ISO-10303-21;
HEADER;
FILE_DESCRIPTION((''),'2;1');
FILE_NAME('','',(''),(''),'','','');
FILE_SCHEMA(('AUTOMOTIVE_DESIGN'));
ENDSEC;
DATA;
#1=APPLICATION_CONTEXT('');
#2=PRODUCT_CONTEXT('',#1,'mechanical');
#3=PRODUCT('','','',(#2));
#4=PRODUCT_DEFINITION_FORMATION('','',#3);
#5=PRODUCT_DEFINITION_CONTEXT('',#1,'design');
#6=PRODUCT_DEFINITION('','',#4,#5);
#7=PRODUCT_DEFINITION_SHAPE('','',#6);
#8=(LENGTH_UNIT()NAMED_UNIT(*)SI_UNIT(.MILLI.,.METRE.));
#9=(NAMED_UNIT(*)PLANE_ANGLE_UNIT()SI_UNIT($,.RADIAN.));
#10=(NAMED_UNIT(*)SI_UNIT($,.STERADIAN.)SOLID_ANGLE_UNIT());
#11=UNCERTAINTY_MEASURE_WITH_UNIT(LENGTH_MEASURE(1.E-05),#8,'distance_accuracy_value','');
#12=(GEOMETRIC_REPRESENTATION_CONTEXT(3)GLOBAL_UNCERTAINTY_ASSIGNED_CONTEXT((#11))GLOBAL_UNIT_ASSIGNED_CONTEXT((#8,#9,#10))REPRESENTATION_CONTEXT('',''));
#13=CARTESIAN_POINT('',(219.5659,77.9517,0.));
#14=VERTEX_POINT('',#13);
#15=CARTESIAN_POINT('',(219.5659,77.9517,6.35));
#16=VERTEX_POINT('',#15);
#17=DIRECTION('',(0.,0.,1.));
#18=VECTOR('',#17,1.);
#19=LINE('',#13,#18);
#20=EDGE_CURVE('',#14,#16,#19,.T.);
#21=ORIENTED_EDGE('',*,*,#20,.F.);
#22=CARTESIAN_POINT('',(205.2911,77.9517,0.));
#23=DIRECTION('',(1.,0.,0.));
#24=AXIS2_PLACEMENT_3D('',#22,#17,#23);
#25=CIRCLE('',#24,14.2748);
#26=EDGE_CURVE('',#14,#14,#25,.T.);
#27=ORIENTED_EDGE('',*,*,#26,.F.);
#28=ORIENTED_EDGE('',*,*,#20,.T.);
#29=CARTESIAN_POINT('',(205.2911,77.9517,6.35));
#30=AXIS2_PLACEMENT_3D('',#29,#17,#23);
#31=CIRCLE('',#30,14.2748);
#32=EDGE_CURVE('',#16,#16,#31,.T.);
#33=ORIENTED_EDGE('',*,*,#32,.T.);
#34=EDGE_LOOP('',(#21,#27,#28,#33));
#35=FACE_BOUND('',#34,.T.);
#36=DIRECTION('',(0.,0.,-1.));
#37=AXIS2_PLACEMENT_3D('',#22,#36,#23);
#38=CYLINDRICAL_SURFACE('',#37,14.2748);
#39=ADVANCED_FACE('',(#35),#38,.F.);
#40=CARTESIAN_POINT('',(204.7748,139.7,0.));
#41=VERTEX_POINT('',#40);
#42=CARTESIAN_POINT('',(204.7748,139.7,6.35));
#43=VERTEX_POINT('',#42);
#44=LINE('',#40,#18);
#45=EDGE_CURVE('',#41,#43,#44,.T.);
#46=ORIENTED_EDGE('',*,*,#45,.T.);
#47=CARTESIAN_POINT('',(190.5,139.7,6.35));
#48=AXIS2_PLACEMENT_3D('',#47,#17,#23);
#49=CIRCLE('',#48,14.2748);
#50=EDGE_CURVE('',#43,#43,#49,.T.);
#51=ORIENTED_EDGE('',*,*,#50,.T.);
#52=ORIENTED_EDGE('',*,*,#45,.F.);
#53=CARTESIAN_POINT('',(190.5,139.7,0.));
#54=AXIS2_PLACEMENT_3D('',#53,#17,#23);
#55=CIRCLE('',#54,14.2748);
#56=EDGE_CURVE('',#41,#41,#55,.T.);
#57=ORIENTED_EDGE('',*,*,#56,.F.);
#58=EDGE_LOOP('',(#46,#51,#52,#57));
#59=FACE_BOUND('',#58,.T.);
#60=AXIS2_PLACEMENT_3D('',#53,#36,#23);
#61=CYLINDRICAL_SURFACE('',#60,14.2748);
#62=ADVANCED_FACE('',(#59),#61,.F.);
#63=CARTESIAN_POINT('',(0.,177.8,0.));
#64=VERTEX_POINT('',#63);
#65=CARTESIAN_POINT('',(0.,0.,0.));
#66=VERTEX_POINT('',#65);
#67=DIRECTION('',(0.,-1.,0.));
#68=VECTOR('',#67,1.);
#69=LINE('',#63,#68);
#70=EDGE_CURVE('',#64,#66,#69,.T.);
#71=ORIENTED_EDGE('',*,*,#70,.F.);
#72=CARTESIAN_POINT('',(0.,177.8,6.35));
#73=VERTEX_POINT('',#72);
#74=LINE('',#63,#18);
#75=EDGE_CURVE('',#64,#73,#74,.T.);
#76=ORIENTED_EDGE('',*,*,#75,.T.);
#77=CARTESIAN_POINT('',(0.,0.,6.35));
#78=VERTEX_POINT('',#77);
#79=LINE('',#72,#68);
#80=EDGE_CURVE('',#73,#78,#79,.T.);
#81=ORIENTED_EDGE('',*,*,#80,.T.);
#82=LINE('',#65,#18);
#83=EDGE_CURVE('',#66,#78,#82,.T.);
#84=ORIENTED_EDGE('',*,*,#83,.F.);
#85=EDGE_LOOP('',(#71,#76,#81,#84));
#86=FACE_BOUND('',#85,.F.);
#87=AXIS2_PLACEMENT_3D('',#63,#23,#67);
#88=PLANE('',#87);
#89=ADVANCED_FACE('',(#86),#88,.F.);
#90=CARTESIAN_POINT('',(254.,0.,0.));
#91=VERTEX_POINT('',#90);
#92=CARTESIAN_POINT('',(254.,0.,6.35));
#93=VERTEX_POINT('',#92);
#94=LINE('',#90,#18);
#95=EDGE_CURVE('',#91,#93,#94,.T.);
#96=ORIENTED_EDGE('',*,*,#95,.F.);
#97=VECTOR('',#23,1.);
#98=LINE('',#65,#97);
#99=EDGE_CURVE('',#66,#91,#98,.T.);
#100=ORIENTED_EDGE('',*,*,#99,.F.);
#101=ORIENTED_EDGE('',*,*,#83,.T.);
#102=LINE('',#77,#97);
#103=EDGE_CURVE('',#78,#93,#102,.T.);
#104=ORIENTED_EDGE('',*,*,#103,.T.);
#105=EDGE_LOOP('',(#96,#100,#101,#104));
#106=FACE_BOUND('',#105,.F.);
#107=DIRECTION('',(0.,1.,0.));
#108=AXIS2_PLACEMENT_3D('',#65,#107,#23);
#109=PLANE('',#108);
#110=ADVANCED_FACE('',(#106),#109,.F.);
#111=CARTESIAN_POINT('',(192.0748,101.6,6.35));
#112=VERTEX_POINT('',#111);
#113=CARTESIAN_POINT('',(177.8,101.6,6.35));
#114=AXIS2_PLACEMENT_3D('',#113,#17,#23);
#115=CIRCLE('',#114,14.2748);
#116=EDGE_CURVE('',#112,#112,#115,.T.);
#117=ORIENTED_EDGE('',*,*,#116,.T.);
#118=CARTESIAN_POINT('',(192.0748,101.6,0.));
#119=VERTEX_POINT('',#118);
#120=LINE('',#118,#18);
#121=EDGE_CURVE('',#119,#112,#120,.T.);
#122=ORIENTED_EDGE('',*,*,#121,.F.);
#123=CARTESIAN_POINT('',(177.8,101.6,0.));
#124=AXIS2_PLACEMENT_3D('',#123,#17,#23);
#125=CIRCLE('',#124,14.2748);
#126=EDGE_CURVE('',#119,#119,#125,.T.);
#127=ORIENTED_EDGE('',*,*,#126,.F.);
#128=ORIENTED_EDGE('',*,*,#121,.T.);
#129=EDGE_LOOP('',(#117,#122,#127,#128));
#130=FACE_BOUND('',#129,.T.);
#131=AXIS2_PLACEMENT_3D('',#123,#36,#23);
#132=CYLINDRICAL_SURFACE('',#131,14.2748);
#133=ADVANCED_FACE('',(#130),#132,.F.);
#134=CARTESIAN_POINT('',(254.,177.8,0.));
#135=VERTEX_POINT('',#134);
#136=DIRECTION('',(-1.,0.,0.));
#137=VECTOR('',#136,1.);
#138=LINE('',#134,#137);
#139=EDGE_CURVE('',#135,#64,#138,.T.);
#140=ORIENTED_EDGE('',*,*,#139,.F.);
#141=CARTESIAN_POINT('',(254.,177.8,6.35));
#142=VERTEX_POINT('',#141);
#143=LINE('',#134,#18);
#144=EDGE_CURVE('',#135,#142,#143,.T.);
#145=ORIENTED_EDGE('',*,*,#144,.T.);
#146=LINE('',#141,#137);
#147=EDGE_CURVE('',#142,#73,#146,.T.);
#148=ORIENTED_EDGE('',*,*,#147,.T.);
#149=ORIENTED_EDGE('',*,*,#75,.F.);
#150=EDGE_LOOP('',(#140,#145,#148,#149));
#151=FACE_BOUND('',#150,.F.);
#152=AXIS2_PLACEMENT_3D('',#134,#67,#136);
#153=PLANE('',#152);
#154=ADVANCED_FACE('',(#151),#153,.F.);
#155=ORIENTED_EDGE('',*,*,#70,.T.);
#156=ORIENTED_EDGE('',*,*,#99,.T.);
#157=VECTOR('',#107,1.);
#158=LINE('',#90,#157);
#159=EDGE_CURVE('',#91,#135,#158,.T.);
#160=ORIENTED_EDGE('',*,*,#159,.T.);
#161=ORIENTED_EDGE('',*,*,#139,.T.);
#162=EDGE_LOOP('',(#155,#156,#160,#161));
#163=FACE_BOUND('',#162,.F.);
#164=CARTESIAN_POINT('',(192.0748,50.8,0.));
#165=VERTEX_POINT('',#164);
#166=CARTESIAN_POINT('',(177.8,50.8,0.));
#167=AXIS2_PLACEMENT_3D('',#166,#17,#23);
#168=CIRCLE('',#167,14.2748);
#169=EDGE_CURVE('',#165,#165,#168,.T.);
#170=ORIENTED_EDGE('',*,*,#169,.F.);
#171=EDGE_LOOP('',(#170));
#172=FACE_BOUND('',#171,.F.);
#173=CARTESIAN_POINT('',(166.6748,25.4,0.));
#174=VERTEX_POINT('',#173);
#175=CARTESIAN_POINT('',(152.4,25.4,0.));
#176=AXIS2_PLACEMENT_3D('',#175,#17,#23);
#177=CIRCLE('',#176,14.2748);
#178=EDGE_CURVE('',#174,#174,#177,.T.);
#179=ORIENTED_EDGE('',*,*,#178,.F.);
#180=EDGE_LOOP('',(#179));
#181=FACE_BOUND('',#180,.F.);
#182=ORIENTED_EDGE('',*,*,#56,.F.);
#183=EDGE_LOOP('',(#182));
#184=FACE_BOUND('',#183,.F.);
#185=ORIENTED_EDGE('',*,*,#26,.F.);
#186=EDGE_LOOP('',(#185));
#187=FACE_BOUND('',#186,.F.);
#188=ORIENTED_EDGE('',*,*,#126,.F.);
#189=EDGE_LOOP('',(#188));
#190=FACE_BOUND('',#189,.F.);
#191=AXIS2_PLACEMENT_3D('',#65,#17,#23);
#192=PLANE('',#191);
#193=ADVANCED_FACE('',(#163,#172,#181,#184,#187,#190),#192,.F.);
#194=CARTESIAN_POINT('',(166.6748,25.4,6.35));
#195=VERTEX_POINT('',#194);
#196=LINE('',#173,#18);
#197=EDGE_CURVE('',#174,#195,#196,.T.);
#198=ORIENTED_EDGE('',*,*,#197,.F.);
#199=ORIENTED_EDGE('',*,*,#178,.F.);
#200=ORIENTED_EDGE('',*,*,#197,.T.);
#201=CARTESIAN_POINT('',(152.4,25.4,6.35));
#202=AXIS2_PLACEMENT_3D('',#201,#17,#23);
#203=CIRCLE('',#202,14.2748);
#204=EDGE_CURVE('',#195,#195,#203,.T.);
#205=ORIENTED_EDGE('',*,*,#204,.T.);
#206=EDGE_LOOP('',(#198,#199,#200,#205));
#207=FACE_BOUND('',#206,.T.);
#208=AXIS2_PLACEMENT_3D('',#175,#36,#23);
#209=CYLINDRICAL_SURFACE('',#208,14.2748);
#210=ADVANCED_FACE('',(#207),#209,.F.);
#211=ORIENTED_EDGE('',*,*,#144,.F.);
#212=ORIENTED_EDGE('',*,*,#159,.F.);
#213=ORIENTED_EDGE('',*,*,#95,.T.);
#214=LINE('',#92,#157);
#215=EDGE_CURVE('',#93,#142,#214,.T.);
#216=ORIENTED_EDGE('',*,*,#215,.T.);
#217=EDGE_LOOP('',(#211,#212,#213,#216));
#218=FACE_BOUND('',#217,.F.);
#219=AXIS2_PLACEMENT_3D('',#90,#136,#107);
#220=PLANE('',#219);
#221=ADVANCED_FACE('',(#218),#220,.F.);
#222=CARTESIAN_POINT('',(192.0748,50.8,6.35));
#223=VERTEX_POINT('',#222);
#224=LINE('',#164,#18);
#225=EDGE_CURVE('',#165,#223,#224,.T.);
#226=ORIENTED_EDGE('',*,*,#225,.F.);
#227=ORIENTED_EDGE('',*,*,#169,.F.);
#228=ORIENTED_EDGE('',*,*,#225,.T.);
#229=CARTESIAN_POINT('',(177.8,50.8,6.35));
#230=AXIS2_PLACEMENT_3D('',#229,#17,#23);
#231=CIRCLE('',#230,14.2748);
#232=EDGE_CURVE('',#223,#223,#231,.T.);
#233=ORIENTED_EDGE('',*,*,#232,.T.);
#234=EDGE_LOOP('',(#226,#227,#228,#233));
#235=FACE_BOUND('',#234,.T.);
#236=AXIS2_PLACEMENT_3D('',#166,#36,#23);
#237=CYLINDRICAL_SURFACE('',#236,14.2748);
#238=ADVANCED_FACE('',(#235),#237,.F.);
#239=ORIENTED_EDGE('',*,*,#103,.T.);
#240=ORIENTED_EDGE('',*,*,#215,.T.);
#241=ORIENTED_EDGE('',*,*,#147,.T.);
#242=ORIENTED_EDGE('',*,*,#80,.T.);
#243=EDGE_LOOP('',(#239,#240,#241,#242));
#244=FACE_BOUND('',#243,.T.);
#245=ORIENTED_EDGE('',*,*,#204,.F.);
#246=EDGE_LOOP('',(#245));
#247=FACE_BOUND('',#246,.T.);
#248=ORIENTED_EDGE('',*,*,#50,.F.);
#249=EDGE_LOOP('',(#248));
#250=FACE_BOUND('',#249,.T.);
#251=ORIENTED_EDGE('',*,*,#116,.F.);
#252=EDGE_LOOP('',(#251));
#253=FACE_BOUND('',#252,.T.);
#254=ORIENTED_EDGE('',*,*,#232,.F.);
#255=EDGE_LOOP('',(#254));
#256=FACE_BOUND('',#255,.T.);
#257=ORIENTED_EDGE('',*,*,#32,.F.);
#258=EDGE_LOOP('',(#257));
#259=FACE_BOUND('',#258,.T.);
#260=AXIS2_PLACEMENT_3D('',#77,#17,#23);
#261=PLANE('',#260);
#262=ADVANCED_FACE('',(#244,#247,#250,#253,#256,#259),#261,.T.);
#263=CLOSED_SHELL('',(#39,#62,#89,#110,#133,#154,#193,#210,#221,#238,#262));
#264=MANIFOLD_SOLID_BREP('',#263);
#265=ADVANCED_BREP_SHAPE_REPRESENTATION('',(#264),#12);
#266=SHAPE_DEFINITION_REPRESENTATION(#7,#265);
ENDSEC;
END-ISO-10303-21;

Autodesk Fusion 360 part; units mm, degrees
sketch "Sketch1" plane through (0, 0, 0) normal (0, 0, 1) x (1, 0, 0)
  line L0 (0, 0) -> (254, 0)
  line L1 (254, 0) -> (254, 177.8)
  line L2 (254, 177.8) -> (0, 177.8)
  line L3 (0, 177.8) -> (0, 0)
  circle A0 centre (177.8, 50.8) radius 14.2748
  circle A1 centre (205.2911, 77.9517) radius 14.2748
  circle A2 centre (177.8, 101.6) radius 14.2748
  circle A3 centre (152.4, 25.4) radius 14.2748
  circle A4 centre (190.5, 139.7) radius 14.2748
  dimension "d1" = 254
  dimension "d2" = 177.8
  dimension "d3" = 28.5496
  dimension "d4" = 177.8
  dimension "d5" = 50.8
  dimension "d6" = 28.5496
  dimension "d7" = 28.5496
  dimension "d8" = 28.5496
  dimension "d9" = 28.5496
extrude "Extrude1" add sketch "Sketch1" along normal blind 6.35
